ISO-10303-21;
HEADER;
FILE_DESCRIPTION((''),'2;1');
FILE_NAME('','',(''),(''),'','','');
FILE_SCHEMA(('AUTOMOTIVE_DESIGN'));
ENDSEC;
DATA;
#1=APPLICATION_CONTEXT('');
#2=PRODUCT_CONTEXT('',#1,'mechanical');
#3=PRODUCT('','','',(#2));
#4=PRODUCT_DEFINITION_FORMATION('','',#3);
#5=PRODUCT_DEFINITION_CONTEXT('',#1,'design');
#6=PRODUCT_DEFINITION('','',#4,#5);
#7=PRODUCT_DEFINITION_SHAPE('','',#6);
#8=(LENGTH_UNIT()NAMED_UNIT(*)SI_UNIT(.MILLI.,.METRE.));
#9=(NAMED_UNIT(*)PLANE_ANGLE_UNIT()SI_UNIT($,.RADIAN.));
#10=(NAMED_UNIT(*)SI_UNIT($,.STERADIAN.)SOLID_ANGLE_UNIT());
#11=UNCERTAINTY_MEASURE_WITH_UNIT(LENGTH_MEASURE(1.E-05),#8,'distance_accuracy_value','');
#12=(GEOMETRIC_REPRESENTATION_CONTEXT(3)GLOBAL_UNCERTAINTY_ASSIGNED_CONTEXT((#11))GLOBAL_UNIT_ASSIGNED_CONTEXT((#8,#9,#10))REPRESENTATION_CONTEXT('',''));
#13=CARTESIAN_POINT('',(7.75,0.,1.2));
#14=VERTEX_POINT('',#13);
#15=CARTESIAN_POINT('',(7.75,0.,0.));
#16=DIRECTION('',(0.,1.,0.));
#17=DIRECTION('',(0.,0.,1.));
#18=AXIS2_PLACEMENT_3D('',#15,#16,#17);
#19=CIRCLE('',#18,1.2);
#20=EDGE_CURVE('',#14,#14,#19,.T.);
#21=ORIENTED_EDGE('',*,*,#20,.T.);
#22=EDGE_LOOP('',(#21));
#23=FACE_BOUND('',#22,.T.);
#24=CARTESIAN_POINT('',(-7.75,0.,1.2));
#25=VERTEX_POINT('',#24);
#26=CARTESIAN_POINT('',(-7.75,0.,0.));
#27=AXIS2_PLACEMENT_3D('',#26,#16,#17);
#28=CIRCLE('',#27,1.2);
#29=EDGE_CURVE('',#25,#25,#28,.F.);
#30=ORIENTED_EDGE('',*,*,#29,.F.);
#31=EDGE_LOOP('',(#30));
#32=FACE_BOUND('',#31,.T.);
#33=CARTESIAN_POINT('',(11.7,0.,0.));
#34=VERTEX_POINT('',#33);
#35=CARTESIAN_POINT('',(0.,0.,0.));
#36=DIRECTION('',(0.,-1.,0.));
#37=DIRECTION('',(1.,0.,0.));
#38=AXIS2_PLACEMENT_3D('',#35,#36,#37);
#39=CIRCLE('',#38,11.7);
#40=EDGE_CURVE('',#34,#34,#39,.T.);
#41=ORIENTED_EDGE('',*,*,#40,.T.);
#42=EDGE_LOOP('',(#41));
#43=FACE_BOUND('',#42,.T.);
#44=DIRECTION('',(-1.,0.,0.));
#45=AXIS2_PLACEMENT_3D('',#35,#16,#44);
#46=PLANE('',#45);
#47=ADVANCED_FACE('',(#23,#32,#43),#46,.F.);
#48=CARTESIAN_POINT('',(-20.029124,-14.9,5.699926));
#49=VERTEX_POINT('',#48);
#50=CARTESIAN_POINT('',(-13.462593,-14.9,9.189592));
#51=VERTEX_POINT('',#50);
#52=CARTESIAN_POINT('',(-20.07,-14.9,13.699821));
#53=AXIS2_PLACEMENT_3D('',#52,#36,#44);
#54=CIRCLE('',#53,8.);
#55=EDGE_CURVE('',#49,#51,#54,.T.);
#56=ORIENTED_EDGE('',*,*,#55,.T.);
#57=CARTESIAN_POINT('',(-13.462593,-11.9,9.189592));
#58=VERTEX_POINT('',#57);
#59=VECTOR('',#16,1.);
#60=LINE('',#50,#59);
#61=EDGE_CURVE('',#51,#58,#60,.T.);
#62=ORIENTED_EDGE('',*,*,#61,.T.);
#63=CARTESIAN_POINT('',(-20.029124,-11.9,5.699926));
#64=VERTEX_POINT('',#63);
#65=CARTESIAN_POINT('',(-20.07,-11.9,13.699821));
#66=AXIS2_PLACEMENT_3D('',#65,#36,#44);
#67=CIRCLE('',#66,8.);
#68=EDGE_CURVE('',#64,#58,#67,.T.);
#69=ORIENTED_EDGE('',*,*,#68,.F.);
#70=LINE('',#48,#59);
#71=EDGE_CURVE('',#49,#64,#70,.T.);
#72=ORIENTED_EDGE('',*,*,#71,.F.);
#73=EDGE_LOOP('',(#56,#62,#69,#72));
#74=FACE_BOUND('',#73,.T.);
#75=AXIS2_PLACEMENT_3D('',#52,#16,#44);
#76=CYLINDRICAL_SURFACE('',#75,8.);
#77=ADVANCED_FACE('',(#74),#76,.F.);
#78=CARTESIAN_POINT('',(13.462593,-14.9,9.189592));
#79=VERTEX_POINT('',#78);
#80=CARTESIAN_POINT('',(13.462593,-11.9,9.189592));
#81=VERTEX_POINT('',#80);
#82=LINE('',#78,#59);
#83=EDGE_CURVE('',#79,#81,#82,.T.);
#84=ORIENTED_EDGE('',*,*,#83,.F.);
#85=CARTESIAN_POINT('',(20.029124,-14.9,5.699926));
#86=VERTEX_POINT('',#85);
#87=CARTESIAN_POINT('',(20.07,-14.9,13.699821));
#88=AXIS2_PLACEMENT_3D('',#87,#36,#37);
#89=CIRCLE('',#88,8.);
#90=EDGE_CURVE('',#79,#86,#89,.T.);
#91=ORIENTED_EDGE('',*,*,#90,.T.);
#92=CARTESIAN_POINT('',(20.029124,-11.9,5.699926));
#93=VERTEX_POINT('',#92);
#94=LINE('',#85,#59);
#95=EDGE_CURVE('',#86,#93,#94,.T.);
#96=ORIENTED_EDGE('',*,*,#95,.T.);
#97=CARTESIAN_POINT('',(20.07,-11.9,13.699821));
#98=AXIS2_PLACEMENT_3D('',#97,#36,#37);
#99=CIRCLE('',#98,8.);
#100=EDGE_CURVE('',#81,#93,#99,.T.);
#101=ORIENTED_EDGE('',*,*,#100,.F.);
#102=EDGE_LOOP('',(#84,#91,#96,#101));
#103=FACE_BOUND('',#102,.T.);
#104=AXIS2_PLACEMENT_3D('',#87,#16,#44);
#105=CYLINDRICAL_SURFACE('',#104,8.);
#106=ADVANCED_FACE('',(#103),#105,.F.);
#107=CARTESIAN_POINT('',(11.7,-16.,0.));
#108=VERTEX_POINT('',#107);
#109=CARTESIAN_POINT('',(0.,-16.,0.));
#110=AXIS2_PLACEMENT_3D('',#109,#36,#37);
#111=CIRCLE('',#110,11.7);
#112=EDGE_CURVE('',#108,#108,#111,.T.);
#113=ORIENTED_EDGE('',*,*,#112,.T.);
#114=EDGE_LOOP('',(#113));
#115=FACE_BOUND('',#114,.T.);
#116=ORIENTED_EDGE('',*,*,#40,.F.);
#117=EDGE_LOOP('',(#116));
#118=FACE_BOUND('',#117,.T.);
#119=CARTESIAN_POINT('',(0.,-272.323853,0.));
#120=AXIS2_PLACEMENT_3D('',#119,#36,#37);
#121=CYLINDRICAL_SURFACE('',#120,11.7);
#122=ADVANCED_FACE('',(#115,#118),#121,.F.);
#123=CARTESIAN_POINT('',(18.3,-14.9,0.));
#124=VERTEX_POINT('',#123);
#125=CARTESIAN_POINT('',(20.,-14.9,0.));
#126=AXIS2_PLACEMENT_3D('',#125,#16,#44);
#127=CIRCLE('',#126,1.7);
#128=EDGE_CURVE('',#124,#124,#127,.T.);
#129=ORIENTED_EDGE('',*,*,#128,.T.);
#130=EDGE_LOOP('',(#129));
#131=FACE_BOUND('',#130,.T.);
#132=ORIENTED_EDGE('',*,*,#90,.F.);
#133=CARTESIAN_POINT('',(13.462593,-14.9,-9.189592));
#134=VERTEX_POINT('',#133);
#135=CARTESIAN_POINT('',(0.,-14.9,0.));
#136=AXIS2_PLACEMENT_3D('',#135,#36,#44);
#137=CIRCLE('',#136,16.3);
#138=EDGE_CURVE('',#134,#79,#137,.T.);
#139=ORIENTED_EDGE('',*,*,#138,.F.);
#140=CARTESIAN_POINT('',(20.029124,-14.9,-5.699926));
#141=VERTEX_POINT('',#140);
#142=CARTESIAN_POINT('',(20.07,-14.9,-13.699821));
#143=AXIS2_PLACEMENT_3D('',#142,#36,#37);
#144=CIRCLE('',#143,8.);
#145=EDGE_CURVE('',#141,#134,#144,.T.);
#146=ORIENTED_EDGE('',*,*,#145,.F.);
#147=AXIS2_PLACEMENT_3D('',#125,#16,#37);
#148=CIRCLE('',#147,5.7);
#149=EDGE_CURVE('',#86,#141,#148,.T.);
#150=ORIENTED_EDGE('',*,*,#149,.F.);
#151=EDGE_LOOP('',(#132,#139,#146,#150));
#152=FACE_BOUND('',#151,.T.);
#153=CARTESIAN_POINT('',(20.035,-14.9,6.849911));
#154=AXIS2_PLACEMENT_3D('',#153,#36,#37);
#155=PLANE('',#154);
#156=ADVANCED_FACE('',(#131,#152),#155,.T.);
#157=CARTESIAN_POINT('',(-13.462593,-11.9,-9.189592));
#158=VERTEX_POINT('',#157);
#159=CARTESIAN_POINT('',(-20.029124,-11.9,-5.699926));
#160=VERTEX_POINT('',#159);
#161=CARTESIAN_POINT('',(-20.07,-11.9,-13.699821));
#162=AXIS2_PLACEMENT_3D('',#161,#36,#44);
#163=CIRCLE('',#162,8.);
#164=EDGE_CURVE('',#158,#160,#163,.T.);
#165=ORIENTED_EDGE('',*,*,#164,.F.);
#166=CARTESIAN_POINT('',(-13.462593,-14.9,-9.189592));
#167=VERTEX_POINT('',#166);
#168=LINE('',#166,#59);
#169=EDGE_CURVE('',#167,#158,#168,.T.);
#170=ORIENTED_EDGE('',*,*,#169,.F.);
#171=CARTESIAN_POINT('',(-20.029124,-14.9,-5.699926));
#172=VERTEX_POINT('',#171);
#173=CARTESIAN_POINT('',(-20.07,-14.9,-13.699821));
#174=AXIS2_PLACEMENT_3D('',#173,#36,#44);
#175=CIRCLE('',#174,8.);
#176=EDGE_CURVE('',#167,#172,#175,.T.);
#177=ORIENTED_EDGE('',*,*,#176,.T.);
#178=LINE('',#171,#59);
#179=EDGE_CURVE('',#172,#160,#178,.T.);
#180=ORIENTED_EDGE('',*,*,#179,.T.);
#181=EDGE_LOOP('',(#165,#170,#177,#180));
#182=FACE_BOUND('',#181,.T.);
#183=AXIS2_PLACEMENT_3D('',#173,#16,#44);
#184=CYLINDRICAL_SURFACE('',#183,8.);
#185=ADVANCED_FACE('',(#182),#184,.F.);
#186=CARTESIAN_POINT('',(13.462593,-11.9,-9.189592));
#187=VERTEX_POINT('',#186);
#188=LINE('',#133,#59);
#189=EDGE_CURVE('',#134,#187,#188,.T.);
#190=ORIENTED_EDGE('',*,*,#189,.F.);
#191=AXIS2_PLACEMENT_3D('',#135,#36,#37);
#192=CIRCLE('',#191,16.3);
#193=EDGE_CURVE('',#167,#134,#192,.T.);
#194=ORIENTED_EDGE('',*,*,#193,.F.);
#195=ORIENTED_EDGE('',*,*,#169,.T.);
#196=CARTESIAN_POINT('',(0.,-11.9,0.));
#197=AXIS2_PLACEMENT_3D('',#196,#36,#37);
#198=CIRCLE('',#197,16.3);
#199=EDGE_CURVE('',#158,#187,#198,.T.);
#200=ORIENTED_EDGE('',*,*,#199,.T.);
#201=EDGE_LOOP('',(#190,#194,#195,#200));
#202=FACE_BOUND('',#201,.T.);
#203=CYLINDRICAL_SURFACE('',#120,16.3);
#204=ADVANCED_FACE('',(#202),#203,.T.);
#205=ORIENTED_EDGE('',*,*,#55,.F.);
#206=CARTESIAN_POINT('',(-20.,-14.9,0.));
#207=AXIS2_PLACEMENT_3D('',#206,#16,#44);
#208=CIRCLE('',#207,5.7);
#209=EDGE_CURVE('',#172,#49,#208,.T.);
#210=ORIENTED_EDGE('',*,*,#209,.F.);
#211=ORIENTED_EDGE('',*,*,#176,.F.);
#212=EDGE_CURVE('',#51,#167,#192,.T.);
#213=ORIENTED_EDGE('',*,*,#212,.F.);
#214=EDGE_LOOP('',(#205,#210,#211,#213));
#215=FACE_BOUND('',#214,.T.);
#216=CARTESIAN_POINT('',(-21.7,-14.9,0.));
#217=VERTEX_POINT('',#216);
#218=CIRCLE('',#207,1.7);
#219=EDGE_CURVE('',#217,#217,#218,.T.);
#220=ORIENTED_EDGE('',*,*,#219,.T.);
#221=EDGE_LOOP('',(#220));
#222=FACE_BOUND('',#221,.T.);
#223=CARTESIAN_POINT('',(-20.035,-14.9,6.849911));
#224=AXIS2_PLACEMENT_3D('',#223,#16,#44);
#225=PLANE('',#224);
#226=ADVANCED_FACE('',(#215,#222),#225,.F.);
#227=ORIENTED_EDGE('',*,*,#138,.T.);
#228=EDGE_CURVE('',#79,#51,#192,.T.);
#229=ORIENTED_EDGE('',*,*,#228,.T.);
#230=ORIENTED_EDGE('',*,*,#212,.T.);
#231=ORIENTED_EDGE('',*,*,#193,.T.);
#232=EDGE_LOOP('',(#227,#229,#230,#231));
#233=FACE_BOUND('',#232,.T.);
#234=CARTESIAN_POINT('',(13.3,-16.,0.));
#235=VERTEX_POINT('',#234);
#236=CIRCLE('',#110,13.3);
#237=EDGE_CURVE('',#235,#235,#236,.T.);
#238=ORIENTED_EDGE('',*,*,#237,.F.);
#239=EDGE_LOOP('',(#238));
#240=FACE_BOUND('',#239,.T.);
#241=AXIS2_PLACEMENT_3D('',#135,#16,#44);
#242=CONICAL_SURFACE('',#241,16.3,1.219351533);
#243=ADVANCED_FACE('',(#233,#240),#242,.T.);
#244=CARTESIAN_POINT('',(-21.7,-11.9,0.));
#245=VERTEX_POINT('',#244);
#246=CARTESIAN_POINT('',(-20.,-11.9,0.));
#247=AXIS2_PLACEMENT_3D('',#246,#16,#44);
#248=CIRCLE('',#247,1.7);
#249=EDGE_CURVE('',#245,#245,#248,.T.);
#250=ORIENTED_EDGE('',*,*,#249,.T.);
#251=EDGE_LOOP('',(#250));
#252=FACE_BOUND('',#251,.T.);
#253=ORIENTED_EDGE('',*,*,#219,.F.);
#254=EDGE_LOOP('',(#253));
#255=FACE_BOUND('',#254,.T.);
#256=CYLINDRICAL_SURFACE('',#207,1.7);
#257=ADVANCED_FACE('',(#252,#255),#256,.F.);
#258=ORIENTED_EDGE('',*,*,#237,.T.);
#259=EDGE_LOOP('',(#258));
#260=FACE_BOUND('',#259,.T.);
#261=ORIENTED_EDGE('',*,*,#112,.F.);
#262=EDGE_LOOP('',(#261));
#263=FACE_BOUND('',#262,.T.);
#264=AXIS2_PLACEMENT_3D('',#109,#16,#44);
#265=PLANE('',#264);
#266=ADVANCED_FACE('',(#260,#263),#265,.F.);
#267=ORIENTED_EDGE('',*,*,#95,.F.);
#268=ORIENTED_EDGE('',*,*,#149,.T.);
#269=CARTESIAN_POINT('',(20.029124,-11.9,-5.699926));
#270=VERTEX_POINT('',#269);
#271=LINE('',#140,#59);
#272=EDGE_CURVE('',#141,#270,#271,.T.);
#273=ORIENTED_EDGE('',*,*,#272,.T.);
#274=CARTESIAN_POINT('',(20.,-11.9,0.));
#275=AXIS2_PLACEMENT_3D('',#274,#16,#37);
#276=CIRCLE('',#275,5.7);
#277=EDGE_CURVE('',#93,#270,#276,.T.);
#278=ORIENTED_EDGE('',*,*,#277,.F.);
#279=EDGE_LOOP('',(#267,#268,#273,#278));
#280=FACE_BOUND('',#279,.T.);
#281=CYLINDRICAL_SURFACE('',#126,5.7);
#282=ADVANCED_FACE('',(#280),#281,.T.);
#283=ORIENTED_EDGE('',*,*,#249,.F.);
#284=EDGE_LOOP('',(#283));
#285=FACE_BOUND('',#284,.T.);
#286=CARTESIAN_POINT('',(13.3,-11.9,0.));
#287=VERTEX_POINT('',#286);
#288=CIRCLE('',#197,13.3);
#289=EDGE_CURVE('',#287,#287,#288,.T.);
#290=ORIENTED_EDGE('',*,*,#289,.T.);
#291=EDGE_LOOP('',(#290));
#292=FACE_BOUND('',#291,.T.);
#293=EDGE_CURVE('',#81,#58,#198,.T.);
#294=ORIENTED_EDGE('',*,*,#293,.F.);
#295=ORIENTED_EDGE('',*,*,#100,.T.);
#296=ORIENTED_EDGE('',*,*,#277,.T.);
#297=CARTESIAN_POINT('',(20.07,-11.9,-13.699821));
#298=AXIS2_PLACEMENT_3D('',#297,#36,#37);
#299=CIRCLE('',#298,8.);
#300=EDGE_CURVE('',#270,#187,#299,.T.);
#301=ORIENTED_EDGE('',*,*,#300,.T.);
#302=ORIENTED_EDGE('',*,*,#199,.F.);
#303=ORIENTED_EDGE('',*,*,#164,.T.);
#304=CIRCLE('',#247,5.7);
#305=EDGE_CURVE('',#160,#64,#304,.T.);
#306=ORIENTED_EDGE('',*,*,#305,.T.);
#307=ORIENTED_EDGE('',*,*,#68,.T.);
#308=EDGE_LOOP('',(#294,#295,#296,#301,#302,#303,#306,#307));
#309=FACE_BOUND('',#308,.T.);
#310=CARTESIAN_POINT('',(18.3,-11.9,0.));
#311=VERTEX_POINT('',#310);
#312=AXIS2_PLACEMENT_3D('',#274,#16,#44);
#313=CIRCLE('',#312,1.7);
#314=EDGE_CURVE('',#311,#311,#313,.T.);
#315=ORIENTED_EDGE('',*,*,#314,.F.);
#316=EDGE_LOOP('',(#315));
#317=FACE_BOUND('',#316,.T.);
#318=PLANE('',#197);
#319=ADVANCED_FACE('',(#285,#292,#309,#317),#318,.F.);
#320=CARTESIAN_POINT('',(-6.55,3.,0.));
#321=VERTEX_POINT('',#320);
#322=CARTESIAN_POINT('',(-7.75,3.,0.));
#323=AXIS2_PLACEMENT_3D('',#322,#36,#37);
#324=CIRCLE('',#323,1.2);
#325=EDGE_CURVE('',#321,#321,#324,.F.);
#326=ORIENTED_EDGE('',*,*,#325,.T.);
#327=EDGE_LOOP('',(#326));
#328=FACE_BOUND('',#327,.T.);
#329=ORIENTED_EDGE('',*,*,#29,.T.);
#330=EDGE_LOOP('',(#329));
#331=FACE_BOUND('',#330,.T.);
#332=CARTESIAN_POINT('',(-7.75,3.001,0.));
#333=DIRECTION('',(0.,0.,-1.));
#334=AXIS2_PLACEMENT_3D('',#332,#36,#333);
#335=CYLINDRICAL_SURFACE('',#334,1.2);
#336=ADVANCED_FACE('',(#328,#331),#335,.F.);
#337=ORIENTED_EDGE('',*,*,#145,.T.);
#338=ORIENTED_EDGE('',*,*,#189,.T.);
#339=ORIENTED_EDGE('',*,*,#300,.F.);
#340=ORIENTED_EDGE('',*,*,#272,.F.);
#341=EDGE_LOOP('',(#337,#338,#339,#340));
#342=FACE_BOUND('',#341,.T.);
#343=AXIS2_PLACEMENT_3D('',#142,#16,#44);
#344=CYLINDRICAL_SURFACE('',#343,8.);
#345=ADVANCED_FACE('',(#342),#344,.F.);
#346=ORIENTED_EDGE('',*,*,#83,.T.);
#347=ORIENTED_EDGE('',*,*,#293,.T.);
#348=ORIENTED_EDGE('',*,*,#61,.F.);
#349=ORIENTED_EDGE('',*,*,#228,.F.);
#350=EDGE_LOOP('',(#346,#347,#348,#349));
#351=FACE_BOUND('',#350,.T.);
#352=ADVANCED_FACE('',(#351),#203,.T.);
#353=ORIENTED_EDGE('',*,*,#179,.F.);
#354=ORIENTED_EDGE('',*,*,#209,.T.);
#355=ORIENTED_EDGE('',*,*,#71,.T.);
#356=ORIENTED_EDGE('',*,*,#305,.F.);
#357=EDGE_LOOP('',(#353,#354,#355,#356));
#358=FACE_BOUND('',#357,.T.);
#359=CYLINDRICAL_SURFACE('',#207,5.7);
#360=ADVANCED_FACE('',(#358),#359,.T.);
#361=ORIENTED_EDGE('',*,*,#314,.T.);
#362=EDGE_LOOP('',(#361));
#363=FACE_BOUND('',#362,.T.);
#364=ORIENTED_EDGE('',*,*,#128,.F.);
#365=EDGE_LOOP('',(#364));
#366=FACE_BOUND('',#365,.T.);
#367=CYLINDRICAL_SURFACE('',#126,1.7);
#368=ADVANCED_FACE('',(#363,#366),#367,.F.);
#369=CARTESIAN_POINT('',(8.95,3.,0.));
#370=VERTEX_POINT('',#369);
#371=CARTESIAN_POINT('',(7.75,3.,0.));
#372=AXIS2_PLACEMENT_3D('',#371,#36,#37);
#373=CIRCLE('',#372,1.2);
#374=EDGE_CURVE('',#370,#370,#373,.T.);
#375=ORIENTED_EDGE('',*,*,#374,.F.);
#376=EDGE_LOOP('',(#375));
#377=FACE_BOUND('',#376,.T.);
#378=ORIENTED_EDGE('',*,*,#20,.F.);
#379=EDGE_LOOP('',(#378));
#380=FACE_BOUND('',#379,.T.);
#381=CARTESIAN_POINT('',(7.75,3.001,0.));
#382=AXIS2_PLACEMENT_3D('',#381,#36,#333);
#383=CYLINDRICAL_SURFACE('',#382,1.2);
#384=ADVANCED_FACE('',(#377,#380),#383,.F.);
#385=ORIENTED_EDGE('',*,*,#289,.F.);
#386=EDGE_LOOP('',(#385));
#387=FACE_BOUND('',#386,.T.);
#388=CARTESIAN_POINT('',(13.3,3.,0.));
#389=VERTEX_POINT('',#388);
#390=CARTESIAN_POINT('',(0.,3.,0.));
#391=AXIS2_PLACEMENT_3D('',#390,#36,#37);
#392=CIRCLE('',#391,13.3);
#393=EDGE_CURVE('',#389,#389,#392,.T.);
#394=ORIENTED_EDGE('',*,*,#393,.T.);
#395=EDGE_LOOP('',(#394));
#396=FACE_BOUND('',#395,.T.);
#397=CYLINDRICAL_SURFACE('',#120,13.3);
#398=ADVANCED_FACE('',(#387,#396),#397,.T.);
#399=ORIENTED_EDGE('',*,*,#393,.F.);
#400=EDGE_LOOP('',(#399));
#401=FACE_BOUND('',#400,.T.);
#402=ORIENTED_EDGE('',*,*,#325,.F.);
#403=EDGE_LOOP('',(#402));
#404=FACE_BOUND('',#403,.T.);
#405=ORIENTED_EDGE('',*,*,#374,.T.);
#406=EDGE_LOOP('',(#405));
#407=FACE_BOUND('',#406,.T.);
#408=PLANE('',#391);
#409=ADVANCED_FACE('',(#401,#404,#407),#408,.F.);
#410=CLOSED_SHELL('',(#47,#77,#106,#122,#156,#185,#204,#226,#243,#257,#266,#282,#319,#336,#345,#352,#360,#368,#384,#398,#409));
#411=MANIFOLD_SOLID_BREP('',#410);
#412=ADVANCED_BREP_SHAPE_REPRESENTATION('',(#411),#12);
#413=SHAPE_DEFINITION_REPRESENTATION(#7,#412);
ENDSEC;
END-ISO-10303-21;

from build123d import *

# Parameters (mm, degrees)
SKETCH3_R           = 1.7
BOSS_EXTRUDE4_DEPTH = 3
CUT_EXTRUDE3_REACH  = 5
SKETCH4_R           = 1.2


with BuildPart() as part:
    # Sketch1 → Revolve1 (revolve)
    with BuildSketch(Plane.XY):
        Polygon((11.7, 0), (0, 0), (0, 3), (13.3, 3), (13.3, -16), (11.7, -16), align=None)
        Polygon((16.3, -11.9), (13.3, -11.9), (13.3, -16), (16.3, -14.9), align=None)
    revolve(axis=Axis((0, -272.323852837, 0), (0, 1, 0)))

    # Sketch3 → Boss-Extrude4 (add)
    with BuildSketch(Plane(origin=(0, -11.9, 0), x_dir=(1, 0, 0), z_dir=(0, 1, 0))):
        with BuildLine():
            ThreePointArc((-20.029124088, 5.699925595), (-25.7, 0), (-20.029124088, -5.699925595))
            ThreePointArc((-20.029124088, -5.699925595), (-16.315754318, -6.635428811), (-13.462592593, -9.189591976))
            ThreePointArc((-13.462592593, -9.189591976), (-16.3, 0), (-13.462592593, 9.189591976))
            ThreePointArc((-13.462592593, 9.189591976), (-16.315754318, 6.635428811), (-20.029124088, 5.699925595))
        make_face()
        with Locations((-20, 0)):
            Circle(SKETCH3_R, mode=Mode.SUBTRACT)
        with BuildLine():
            ThreePointArc((13.462592593, -9.189591976), (16.3, 0), (13.462592593, 9.189591976))
            ThreePointArc((13.462592593, 9.189591976), (16.315754318, 6.635428811), (20.029124088, 5.699925595))
            ThreePointArc((20.029124088, 5.699925595), (25.7, 0), (20.029124088, -5.699925595))
            ThreePointArc((20.029124088, -5.699925595), (16.315754318, -6.635428811), (13.462592593, -9.189591976))
        make_face()
        with Locations((20, 0)):
            Circle(SKETCH3_R, mode=Mode.SUBTRACT)
    extrude(amount=-BOSS_EXTRUDE4_DEPTH)

    # Sketch4 → Cut-Extrude3 (cut, up to next)
    with BuildSketch(Plane(origin=(0, 0, 0), x_dir=(1, 0, 0), z_dir=(0, 1, 0)), mode=Mode.PRIVATE) as cut_extrude3_sk1:
        with Locations((7.75, 0)):
            Circle(SKETCH4_R)
    cut_extrude3_tool1 = extrude(cut_extrude3_sk1.sketch, amount=CUT_EXTRUDE3_REACH, mode=Mode.PRIVATE) & part.part
    add(cut_extrude3_tool1.solids().sort_by_distance((7.75, 0, 0))[0], mode=Mode.SUBTRACT)
    # Sketch4 → Cut-Extrude3 (cut, up to next)
    with BuildSketch(Plane(origin=(0, 0, 0), x_dir=(1, 0, 0), z_dir=(0, 1, 0)), mode=Mode.PRIVATE) as cut_extrude3_sk2:
        with Locations((-7.75, 0)):
            Circle(SKETCH4_R)
    cut_extrude3_tool2 = extrude(cut_extrude3_sk2.sketch, amount=CUT_EXTRUDE3_REACH, mode=Mode.PRIVATE) & part.part
    add(cut_extrude3_tool2.solids().sort_by_distance((-7.75, 0, 0))[0], mode=Mode.SUBTRACT)


solid = part.part
